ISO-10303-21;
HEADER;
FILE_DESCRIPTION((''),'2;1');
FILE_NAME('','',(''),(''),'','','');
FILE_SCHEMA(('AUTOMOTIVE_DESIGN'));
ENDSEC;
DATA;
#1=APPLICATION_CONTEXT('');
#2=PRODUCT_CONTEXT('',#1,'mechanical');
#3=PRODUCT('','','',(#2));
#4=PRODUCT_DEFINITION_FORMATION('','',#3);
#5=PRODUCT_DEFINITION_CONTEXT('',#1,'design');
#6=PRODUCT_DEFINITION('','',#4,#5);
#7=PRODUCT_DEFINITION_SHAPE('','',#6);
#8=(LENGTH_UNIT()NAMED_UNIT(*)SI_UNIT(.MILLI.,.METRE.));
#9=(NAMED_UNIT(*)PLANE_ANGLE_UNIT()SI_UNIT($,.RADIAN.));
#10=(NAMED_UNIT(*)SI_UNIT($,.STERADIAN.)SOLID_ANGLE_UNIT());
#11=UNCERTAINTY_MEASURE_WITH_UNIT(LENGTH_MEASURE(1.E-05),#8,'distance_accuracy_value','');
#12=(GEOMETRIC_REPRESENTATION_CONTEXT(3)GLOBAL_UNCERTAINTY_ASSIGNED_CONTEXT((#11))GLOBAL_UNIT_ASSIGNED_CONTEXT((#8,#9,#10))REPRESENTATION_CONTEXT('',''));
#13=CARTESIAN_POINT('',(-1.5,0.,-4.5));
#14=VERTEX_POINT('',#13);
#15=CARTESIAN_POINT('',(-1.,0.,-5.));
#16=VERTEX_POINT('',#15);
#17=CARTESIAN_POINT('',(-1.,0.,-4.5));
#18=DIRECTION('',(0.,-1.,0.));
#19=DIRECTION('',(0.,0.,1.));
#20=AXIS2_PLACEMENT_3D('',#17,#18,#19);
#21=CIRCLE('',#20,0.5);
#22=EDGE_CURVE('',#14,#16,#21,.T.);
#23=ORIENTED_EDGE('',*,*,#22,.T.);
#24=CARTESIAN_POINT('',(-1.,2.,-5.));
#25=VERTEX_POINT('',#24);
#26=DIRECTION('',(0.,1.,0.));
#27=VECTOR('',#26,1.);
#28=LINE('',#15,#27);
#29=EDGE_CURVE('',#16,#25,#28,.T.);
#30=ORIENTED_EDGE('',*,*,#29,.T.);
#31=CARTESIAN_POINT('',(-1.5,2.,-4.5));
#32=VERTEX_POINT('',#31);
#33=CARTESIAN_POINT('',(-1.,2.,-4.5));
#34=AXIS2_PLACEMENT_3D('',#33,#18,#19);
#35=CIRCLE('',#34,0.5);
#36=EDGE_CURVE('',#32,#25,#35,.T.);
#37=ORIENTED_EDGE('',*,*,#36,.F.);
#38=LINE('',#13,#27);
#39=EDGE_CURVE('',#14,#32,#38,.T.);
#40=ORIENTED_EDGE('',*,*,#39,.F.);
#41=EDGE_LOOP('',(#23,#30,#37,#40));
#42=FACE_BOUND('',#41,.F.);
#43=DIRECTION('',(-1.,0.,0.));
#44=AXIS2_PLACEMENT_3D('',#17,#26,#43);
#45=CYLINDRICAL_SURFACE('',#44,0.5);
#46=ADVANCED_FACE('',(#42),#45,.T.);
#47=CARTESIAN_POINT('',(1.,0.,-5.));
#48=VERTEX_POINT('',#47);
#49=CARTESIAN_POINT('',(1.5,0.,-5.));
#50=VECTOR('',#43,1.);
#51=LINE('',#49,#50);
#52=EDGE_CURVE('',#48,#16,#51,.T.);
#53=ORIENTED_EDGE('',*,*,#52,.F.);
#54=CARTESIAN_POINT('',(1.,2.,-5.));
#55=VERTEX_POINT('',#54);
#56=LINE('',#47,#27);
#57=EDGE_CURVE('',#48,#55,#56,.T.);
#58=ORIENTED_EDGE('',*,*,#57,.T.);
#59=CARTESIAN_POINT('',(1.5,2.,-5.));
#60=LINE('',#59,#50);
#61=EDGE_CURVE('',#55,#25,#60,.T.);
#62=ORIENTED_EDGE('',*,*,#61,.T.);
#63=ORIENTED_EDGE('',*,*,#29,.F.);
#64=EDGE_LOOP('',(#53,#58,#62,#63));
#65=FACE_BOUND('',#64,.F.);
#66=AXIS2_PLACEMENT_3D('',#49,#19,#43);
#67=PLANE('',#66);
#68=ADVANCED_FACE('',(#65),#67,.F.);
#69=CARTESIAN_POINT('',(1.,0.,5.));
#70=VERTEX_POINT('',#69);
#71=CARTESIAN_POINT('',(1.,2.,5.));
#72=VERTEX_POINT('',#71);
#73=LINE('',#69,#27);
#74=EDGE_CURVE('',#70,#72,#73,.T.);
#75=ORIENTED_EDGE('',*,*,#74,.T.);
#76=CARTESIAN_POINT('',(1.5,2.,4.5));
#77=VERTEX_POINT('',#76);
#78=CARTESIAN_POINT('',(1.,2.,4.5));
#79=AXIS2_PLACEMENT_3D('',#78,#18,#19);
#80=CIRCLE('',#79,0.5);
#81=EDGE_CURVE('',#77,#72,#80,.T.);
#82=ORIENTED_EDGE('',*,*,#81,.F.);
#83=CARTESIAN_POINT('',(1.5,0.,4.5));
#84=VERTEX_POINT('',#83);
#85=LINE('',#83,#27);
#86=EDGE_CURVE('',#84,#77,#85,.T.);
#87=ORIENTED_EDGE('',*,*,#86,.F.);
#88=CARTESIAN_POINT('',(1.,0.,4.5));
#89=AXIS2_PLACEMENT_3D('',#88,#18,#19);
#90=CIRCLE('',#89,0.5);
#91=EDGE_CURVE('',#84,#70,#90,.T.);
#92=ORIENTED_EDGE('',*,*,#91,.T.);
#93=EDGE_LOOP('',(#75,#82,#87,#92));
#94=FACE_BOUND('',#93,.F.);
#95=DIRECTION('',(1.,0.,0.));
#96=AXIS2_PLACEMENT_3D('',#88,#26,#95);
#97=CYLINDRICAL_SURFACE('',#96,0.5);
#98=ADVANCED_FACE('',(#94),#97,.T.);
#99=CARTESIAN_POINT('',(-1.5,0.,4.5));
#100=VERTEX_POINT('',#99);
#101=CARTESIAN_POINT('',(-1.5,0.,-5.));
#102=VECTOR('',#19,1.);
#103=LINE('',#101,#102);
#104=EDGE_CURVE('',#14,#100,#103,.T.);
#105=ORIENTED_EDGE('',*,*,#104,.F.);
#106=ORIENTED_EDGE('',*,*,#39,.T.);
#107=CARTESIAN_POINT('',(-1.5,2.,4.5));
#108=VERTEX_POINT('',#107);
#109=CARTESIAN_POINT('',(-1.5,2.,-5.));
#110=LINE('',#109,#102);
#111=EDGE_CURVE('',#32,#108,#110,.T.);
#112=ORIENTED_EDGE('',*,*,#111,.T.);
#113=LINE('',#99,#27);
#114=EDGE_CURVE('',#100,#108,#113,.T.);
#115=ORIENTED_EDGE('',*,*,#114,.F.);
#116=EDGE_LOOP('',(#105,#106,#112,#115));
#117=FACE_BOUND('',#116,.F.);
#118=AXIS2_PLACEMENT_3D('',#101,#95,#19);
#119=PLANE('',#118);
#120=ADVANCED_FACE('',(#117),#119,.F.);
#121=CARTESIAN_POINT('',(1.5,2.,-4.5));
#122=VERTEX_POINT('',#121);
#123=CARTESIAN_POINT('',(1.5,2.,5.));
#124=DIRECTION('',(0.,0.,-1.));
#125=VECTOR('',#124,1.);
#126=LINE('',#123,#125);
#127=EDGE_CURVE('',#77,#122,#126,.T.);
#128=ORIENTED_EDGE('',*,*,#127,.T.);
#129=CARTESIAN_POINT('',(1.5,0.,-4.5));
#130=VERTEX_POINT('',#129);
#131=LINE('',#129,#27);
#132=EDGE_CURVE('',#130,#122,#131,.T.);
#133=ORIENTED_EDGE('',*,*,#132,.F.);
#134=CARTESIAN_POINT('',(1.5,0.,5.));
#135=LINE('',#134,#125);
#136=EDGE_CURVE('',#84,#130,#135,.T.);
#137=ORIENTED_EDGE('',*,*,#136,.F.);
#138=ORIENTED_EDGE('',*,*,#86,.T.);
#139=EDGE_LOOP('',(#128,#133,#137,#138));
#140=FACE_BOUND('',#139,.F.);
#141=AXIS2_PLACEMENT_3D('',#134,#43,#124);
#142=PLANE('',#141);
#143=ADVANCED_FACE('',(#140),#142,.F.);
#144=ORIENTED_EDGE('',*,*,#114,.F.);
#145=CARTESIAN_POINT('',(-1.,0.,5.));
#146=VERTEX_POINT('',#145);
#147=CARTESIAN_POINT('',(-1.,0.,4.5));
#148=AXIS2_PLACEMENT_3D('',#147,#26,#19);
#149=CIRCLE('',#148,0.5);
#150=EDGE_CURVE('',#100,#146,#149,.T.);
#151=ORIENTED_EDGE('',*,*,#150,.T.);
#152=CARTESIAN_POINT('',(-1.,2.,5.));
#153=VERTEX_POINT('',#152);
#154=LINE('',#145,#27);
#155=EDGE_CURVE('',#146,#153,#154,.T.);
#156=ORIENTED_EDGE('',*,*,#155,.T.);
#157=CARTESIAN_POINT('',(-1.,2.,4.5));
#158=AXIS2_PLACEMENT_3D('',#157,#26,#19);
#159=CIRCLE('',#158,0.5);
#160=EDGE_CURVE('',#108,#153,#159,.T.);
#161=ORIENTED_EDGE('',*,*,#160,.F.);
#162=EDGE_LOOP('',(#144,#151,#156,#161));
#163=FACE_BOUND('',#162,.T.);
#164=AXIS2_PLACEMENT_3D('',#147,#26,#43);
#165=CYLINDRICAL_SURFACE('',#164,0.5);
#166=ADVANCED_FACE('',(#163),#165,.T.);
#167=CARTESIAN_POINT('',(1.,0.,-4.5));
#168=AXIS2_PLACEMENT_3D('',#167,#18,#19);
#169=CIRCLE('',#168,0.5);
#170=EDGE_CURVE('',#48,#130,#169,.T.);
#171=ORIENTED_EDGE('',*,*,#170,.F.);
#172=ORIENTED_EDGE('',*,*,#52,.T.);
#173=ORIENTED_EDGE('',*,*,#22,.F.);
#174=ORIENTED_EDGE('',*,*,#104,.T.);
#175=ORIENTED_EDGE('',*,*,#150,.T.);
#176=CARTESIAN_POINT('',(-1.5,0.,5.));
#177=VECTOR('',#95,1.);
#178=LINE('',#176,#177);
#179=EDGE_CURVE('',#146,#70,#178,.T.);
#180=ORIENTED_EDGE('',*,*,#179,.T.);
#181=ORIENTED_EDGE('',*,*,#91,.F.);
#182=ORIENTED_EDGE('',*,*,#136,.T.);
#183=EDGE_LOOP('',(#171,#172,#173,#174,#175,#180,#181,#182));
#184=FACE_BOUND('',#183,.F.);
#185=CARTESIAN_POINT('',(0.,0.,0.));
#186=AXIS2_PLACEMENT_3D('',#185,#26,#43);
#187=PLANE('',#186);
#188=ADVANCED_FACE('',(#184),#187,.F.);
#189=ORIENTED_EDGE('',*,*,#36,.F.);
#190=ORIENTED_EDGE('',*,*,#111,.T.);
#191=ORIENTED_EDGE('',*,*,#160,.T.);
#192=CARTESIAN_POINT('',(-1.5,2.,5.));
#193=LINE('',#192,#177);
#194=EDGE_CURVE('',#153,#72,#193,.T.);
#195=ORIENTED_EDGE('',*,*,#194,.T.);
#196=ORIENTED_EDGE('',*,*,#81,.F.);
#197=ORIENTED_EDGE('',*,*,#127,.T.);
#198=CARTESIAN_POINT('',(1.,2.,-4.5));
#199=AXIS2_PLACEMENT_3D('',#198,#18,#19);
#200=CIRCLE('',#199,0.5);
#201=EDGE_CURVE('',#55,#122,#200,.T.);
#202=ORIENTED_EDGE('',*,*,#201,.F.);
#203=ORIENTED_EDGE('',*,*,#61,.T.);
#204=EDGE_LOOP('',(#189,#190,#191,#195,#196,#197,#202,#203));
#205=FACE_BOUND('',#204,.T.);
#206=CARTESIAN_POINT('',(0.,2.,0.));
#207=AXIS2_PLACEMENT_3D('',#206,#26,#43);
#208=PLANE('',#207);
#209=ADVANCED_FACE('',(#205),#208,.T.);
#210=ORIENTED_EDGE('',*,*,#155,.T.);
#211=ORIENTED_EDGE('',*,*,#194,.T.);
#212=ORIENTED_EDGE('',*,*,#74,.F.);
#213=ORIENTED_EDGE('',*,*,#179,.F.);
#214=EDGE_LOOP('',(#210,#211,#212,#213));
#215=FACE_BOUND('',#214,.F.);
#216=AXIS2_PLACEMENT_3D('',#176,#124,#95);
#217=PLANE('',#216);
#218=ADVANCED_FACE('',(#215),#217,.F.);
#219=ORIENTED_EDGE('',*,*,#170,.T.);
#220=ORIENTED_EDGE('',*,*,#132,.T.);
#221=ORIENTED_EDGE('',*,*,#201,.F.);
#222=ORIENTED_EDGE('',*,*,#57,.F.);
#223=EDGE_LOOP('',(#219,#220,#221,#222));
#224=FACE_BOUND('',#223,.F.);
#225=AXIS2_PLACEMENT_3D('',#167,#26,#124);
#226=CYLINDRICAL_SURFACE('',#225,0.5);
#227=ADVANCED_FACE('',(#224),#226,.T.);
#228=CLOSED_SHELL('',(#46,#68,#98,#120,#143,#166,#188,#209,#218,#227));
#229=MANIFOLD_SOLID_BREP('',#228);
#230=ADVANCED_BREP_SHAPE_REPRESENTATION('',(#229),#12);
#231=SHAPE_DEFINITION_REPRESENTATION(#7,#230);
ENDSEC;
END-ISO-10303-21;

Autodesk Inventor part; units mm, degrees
ref_plane "YZ Plane" through (0, 0, 0) normal (1, 0, 0) x (0, 1, 0)
ref_plane "XZ Plane" through (0, 0, 0) normal (0, 1, 0) x (-1, 0, 0)
ref_plane "XY Plane" through (0, 0, 0) normal (0, 0, 1) x (1, 0, 0)
sketch "Sketch1" plane through (0, 0, 0) normal (0, 1, 0) x (-1, 0, 0)
  line L0 (1.5, 5) -> (-1.5, 5)
  line L1 (-1.5, 5) -> (-1.5, -5)
  line L2 (-1.5, -5) -> (1.5, -5)
  line L3 (1.5, -5) -> (1.5, 5)
  line L4 (1.5, 5) -> (-1.5, -5) construction
  line L5 (-1.5, 5) -> (1.5, -5) construction
  point P0 (0, 0)
  dimension "d0" = 3
  dimension "d1" = 10
extrude "Extrusion1" add sketch "Sketch1" along normal blind 2
fillet "Fillet1" radius 0.5 4 edges at (1.5, 1, 5) (-1.5, 1, 5) (1.5, 1, -5) (-1.5, 1, -5)
properties part number "Magnet 10x3x2mm"
